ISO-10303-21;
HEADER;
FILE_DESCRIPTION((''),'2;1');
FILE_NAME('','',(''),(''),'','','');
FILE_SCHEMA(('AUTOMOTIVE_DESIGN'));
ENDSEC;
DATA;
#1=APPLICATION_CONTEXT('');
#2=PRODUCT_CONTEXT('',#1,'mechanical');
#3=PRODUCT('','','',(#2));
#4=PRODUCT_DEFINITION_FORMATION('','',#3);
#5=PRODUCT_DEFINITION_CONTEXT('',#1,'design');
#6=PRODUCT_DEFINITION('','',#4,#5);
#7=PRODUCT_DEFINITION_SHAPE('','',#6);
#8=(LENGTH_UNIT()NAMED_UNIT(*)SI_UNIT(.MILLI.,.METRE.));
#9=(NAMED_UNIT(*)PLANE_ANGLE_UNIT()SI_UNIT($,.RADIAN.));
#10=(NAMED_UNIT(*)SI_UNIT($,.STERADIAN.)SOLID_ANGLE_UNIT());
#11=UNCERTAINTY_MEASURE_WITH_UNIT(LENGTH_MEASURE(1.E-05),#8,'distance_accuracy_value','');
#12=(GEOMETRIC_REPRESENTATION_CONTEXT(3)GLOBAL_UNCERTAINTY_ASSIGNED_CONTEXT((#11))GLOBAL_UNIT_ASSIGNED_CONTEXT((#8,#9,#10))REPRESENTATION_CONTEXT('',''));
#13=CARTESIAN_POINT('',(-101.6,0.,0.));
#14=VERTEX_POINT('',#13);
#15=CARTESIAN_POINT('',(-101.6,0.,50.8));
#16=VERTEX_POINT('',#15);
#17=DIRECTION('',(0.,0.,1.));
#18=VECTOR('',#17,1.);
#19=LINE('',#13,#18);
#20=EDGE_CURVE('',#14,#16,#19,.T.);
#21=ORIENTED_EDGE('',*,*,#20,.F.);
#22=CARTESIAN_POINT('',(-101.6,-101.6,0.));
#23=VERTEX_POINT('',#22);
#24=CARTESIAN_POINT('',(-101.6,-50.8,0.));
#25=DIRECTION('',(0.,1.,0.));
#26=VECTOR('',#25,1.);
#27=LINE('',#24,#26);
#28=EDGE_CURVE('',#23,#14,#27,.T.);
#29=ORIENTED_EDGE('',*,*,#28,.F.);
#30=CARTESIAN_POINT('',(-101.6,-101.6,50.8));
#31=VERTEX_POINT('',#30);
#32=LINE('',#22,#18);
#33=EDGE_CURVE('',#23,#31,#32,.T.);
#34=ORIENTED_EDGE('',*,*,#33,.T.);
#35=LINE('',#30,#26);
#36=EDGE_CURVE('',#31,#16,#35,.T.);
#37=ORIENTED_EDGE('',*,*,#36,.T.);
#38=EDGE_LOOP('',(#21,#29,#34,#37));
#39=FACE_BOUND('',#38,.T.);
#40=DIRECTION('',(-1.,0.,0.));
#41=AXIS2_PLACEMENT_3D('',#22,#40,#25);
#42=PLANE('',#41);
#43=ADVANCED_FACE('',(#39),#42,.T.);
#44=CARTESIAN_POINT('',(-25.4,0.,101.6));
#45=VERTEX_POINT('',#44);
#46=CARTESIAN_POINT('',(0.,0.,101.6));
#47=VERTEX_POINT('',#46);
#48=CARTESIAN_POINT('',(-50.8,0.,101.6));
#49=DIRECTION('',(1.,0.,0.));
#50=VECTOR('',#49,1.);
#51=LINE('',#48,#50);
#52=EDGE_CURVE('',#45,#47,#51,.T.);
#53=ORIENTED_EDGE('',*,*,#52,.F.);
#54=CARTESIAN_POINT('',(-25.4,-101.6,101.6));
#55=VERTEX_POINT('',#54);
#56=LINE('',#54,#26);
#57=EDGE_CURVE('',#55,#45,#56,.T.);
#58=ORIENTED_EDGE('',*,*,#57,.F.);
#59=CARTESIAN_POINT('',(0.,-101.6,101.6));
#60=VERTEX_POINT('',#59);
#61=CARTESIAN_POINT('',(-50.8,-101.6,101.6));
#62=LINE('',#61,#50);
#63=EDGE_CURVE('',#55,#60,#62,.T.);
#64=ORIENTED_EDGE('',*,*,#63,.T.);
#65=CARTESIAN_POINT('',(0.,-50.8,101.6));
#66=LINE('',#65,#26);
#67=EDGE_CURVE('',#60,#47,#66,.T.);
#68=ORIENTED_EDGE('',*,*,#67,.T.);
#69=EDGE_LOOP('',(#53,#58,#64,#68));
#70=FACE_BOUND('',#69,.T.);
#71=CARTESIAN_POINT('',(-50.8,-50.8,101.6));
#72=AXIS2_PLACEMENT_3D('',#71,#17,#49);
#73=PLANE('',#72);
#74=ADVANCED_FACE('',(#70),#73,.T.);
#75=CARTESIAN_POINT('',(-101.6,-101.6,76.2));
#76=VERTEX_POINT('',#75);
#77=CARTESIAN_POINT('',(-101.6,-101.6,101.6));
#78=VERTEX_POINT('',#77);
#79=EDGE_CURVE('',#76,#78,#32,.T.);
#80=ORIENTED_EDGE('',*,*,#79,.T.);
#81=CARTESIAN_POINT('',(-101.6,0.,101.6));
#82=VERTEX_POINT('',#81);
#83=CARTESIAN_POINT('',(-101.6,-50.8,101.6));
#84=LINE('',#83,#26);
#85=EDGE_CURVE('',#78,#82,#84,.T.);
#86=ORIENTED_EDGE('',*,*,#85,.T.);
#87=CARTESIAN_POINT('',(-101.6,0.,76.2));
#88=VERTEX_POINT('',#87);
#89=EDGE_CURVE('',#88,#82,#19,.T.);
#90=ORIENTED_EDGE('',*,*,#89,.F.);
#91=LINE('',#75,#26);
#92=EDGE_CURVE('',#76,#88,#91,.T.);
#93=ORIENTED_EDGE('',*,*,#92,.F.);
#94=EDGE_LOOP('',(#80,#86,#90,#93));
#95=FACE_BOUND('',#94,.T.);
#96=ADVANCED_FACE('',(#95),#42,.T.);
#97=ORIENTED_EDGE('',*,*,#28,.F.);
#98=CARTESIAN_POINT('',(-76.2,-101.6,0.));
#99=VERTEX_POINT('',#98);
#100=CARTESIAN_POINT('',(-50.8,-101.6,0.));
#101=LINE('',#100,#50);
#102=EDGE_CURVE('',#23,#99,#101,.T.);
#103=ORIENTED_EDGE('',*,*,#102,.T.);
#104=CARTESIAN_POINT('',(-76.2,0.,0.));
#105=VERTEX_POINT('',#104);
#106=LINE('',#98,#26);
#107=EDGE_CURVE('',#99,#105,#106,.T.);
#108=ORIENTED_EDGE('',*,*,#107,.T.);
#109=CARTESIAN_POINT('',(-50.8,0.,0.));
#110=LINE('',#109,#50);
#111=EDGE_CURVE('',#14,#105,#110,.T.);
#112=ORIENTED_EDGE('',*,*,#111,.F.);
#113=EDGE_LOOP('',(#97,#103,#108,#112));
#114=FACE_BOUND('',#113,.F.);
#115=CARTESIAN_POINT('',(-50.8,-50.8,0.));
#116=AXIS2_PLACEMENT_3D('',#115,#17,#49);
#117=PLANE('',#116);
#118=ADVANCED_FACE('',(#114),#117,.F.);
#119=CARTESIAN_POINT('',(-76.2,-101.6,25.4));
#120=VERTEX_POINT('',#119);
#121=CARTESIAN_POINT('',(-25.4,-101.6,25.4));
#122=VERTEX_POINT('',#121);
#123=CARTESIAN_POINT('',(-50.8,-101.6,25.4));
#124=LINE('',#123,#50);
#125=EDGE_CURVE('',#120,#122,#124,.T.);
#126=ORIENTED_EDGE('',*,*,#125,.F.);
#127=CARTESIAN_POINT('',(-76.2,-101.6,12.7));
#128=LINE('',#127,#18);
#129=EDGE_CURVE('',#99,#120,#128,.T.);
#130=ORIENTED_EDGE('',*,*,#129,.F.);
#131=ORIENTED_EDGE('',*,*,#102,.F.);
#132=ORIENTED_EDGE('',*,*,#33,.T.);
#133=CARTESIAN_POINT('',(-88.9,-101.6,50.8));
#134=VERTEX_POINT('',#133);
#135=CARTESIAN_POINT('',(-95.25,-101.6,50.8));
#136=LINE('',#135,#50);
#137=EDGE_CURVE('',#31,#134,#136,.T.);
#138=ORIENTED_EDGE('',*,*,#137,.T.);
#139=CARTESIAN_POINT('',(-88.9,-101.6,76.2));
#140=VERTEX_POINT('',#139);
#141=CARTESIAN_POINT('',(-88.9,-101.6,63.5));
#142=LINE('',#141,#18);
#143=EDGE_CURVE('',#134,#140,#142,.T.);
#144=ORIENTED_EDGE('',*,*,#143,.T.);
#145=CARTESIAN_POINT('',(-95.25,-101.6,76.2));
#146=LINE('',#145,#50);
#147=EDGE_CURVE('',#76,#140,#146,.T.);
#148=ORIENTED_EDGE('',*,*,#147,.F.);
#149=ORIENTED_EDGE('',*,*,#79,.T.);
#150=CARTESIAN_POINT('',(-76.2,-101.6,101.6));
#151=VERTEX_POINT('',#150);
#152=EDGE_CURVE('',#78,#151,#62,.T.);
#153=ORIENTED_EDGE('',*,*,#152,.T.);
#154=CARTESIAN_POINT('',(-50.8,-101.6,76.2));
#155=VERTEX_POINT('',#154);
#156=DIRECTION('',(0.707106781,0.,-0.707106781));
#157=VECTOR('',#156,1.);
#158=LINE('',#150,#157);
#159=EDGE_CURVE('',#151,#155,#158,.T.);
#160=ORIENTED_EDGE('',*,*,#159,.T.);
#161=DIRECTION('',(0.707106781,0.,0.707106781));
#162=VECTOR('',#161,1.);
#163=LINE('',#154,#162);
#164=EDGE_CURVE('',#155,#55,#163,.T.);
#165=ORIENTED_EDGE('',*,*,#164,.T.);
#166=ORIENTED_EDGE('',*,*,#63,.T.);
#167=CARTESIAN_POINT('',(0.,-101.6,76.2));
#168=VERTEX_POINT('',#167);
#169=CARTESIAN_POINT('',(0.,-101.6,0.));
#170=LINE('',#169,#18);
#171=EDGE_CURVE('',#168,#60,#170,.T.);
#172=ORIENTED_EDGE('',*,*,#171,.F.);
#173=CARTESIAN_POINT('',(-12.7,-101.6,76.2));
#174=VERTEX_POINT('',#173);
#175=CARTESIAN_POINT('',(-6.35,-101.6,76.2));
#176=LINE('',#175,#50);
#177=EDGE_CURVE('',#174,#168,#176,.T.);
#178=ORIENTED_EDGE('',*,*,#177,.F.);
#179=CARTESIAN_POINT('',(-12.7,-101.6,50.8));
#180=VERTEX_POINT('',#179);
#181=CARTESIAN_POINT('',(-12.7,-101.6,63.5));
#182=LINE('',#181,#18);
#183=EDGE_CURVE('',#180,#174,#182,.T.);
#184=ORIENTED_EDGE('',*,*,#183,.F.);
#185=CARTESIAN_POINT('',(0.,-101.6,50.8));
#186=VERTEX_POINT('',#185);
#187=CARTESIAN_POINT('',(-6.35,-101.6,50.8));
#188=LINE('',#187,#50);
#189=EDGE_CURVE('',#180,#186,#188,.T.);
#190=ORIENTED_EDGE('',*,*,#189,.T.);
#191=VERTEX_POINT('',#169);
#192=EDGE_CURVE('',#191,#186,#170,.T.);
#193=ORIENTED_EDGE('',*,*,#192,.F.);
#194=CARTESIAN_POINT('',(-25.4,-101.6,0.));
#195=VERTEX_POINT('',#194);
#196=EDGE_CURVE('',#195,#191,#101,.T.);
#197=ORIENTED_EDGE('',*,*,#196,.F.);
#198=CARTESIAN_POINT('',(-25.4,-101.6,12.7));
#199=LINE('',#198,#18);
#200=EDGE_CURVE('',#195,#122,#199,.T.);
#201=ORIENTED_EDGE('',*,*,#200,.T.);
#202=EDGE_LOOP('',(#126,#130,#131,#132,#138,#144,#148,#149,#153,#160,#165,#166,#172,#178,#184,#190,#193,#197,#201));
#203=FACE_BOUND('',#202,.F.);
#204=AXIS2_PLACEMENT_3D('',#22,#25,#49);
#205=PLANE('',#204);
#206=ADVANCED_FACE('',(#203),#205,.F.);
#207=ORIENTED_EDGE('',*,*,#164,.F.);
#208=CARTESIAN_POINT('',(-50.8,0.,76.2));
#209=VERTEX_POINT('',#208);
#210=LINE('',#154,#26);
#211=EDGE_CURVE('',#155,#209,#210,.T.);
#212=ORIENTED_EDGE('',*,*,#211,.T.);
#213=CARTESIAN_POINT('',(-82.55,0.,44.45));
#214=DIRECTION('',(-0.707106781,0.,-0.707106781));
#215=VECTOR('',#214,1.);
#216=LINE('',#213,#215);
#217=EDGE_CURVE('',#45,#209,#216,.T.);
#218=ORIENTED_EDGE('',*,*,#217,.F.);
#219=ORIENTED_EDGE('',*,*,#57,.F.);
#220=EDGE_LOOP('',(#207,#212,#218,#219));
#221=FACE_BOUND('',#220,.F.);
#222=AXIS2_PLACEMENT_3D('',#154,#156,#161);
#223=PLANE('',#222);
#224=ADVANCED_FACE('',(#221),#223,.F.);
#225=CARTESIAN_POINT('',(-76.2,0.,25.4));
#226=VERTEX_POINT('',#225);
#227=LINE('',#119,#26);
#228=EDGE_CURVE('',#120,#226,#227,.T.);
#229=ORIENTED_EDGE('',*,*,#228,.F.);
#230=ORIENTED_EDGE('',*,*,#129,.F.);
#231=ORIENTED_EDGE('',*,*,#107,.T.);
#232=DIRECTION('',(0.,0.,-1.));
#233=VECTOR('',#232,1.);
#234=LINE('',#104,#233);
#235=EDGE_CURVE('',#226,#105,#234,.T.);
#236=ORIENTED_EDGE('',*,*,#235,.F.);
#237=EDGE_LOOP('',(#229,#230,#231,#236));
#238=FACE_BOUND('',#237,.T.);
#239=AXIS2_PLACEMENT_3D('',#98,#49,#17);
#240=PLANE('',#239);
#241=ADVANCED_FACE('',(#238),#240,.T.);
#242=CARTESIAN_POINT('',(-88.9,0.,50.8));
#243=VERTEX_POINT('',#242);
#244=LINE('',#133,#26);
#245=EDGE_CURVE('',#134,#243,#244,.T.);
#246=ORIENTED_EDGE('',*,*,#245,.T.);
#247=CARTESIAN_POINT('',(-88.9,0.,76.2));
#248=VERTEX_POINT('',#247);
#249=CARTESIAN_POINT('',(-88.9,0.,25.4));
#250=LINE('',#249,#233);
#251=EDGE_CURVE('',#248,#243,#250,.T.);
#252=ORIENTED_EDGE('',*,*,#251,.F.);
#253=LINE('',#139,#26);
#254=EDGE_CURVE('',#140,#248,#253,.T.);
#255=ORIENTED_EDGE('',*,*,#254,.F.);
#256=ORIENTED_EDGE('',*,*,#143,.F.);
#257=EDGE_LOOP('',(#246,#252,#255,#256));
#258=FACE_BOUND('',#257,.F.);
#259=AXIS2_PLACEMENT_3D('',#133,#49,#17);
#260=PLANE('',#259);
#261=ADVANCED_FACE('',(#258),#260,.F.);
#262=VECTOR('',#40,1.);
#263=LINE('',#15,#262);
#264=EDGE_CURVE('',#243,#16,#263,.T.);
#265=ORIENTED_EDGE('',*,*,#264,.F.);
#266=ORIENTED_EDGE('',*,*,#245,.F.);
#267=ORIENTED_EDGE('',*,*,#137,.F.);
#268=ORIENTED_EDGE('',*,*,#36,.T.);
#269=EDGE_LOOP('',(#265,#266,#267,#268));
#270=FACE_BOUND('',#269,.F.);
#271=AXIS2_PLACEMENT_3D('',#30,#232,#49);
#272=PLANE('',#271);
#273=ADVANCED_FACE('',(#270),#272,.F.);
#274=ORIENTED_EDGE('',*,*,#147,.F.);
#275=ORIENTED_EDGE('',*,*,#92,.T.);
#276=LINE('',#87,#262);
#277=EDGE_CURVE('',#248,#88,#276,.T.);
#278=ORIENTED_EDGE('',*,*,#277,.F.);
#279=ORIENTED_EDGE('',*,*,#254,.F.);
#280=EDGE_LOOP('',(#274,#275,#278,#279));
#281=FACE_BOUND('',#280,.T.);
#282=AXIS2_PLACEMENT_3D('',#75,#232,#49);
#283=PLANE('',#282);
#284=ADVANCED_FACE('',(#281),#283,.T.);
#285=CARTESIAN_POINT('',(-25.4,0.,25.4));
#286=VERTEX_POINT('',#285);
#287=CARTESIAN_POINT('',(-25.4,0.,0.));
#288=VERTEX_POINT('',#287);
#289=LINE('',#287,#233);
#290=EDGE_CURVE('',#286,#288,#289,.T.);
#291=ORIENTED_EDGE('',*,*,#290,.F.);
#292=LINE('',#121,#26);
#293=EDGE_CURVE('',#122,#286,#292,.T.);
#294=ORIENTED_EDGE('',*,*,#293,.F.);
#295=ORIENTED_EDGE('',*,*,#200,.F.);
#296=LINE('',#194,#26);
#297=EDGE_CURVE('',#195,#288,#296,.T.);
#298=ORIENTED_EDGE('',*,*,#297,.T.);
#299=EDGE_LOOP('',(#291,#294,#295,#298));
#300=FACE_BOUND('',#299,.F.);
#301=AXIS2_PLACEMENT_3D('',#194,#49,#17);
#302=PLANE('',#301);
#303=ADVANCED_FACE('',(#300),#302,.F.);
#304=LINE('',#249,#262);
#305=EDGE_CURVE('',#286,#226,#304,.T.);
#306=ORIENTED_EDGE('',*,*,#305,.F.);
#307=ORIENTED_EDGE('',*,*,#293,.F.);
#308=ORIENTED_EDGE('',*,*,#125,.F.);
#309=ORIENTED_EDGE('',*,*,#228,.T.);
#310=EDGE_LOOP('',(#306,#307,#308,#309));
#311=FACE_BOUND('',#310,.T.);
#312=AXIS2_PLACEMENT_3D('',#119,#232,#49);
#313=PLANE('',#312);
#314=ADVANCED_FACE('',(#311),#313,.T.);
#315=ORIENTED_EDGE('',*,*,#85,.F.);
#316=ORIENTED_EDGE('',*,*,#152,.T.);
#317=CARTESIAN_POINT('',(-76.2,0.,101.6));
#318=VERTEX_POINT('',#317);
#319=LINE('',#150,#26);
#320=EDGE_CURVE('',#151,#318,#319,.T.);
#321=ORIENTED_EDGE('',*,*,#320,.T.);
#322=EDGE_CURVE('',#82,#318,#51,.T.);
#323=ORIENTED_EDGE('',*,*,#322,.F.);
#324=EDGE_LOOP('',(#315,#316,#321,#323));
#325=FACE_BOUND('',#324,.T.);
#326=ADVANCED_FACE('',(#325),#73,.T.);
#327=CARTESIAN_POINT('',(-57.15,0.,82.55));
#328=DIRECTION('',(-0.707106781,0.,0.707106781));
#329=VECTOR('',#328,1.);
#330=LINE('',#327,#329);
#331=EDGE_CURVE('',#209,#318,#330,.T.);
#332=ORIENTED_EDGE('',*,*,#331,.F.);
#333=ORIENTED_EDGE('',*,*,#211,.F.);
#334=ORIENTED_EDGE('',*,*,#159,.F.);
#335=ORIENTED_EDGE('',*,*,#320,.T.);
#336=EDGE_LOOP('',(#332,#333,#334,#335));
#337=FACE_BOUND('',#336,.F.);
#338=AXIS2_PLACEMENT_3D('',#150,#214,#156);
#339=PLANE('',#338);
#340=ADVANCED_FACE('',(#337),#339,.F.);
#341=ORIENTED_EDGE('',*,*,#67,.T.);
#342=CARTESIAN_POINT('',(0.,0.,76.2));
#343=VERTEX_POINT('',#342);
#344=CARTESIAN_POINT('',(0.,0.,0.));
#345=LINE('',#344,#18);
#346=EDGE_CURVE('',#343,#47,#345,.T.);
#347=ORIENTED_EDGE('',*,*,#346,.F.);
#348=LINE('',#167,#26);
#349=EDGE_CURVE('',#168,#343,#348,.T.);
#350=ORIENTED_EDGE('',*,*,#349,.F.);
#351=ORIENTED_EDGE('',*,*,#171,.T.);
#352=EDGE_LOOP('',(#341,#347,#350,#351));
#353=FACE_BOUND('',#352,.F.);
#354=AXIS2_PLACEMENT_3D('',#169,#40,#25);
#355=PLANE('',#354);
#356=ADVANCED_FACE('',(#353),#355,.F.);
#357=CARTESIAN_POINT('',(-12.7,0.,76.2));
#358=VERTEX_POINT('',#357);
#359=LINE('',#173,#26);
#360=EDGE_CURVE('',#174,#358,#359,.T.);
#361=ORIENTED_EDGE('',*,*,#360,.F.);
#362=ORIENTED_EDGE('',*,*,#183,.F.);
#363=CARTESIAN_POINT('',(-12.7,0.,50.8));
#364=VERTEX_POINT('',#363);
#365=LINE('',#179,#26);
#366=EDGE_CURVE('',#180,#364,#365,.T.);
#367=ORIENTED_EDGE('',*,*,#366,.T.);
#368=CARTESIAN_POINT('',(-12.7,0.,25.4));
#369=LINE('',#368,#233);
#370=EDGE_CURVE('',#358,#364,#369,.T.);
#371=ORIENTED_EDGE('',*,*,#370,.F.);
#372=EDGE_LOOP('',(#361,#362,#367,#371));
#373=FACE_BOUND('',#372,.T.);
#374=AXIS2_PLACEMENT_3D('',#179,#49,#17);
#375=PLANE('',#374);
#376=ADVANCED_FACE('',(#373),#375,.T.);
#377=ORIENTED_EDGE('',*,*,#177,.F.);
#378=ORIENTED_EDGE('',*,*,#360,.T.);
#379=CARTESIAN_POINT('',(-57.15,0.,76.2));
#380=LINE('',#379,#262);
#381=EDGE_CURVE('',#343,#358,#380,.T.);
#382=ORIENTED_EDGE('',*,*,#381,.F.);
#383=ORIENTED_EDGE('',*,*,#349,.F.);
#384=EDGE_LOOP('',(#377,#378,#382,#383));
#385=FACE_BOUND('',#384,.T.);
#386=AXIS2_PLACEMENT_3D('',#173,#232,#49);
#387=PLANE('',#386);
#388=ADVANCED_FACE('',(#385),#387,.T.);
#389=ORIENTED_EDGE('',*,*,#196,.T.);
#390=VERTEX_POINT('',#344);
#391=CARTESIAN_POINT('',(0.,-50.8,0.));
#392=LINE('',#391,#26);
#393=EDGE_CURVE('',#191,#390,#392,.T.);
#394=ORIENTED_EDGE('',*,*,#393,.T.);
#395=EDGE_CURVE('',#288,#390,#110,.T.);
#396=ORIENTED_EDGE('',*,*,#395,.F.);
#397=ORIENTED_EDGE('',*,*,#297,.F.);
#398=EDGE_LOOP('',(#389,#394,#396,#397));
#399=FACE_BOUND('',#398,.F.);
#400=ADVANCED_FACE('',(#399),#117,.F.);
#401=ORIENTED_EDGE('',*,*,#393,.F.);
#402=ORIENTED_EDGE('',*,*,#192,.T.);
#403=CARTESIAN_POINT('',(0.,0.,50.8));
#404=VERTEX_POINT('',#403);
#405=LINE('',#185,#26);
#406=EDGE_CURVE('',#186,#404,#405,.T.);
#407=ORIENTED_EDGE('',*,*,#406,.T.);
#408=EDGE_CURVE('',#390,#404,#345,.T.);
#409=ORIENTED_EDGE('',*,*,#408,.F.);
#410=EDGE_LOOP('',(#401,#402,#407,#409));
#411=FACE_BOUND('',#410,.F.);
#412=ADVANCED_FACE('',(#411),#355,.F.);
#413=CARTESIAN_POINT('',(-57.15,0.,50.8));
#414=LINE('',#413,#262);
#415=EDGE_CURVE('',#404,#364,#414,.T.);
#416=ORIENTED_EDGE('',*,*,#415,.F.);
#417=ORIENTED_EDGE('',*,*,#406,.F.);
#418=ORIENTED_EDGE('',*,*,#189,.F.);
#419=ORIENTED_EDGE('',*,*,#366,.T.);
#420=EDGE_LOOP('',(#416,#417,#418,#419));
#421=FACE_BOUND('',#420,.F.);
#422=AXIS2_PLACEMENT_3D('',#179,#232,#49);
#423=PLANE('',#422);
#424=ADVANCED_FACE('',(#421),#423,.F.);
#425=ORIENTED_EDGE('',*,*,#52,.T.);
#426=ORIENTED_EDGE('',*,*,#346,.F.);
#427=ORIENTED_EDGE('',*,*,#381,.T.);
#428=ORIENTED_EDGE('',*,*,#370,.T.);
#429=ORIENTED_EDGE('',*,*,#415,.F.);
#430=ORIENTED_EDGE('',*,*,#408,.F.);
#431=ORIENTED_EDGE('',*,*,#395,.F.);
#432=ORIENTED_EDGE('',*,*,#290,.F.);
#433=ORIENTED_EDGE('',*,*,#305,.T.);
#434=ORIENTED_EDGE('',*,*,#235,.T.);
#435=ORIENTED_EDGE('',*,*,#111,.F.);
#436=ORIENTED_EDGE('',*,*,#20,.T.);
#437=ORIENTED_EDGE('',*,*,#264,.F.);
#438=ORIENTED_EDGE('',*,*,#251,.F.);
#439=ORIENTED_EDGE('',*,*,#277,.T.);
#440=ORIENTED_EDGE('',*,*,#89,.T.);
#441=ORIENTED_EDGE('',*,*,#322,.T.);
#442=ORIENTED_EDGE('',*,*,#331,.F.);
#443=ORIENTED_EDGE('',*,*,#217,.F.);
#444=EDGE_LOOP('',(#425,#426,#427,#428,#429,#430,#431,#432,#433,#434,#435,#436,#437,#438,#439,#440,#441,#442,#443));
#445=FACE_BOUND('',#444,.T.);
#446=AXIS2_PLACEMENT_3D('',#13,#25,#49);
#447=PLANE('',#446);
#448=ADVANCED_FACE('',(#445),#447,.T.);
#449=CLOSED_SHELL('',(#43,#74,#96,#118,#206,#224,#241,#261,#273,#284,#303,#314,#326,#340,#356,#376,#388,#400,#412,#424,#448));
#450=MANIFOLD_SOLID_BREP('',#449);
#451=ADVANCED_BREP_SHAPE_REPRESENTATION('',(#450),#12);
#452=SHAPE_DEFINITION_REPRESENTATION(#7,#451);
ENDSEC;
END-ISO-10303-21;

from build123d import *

# Parameters (mm, degrees)
F0_W     = 101.6
F0_H     = 101.6
F1_DEPTH = 101.6
F3_DEPTH = 132.08
F4_W     = 12.7
F4_H     = 25.4
F5_DEPTH = 174.244
F6_W     = 50.8
F6_H     = 25.4
F7_DEPTH = 294.64


with BuildPart() as f1:
    # F0 (on Top) → F1 (new body)
    with BuildSketch(Plane.XY):
        with Locations((-50.8, -50.8)):
            Rectangle(F0_W, F0_H)
    extrude(amount=F1_DEPTH)

    # F2 (on face) → F3 (cut)
    with BuildSketch(Plane.XZ.offset(101.6)):
        Polygon((-50.8, 101.6), (-76.2, 101.6), (-50.8, 76.2), align=None)
        Polygon((-25.4, 101.6), (-50.8, 101.6), (-50.8, 76.2), align=None)
    extrude(amount=-F3_DEPTH, mode=Mode.SUBTRACT)

    # F4 (on face) → F5 (cut)
    with BuildSketch(Plane.XZ.offset(101.6)):
        with Locations((-6.35, 63.5)):
            Rectangle(F4_W, F4_H)
        with Locations((-95.25, 63.5)):
            Rectangle(F4_W, F4_H)
    extrude(amount=-F5_DEPTH, mode=Mode.SUBTRACT)

    # F6 (on face) → F7 (cut)
    with BuildSketch(Plane.XZ.offset(101.6)):
        with Locations((-50.8, 12.7)):
            Rectangle(F6_W, F6_H)
    extrude(amount=-F7_DEPTH, mode=Mode.SUBTRACT)


solid = f1.part
